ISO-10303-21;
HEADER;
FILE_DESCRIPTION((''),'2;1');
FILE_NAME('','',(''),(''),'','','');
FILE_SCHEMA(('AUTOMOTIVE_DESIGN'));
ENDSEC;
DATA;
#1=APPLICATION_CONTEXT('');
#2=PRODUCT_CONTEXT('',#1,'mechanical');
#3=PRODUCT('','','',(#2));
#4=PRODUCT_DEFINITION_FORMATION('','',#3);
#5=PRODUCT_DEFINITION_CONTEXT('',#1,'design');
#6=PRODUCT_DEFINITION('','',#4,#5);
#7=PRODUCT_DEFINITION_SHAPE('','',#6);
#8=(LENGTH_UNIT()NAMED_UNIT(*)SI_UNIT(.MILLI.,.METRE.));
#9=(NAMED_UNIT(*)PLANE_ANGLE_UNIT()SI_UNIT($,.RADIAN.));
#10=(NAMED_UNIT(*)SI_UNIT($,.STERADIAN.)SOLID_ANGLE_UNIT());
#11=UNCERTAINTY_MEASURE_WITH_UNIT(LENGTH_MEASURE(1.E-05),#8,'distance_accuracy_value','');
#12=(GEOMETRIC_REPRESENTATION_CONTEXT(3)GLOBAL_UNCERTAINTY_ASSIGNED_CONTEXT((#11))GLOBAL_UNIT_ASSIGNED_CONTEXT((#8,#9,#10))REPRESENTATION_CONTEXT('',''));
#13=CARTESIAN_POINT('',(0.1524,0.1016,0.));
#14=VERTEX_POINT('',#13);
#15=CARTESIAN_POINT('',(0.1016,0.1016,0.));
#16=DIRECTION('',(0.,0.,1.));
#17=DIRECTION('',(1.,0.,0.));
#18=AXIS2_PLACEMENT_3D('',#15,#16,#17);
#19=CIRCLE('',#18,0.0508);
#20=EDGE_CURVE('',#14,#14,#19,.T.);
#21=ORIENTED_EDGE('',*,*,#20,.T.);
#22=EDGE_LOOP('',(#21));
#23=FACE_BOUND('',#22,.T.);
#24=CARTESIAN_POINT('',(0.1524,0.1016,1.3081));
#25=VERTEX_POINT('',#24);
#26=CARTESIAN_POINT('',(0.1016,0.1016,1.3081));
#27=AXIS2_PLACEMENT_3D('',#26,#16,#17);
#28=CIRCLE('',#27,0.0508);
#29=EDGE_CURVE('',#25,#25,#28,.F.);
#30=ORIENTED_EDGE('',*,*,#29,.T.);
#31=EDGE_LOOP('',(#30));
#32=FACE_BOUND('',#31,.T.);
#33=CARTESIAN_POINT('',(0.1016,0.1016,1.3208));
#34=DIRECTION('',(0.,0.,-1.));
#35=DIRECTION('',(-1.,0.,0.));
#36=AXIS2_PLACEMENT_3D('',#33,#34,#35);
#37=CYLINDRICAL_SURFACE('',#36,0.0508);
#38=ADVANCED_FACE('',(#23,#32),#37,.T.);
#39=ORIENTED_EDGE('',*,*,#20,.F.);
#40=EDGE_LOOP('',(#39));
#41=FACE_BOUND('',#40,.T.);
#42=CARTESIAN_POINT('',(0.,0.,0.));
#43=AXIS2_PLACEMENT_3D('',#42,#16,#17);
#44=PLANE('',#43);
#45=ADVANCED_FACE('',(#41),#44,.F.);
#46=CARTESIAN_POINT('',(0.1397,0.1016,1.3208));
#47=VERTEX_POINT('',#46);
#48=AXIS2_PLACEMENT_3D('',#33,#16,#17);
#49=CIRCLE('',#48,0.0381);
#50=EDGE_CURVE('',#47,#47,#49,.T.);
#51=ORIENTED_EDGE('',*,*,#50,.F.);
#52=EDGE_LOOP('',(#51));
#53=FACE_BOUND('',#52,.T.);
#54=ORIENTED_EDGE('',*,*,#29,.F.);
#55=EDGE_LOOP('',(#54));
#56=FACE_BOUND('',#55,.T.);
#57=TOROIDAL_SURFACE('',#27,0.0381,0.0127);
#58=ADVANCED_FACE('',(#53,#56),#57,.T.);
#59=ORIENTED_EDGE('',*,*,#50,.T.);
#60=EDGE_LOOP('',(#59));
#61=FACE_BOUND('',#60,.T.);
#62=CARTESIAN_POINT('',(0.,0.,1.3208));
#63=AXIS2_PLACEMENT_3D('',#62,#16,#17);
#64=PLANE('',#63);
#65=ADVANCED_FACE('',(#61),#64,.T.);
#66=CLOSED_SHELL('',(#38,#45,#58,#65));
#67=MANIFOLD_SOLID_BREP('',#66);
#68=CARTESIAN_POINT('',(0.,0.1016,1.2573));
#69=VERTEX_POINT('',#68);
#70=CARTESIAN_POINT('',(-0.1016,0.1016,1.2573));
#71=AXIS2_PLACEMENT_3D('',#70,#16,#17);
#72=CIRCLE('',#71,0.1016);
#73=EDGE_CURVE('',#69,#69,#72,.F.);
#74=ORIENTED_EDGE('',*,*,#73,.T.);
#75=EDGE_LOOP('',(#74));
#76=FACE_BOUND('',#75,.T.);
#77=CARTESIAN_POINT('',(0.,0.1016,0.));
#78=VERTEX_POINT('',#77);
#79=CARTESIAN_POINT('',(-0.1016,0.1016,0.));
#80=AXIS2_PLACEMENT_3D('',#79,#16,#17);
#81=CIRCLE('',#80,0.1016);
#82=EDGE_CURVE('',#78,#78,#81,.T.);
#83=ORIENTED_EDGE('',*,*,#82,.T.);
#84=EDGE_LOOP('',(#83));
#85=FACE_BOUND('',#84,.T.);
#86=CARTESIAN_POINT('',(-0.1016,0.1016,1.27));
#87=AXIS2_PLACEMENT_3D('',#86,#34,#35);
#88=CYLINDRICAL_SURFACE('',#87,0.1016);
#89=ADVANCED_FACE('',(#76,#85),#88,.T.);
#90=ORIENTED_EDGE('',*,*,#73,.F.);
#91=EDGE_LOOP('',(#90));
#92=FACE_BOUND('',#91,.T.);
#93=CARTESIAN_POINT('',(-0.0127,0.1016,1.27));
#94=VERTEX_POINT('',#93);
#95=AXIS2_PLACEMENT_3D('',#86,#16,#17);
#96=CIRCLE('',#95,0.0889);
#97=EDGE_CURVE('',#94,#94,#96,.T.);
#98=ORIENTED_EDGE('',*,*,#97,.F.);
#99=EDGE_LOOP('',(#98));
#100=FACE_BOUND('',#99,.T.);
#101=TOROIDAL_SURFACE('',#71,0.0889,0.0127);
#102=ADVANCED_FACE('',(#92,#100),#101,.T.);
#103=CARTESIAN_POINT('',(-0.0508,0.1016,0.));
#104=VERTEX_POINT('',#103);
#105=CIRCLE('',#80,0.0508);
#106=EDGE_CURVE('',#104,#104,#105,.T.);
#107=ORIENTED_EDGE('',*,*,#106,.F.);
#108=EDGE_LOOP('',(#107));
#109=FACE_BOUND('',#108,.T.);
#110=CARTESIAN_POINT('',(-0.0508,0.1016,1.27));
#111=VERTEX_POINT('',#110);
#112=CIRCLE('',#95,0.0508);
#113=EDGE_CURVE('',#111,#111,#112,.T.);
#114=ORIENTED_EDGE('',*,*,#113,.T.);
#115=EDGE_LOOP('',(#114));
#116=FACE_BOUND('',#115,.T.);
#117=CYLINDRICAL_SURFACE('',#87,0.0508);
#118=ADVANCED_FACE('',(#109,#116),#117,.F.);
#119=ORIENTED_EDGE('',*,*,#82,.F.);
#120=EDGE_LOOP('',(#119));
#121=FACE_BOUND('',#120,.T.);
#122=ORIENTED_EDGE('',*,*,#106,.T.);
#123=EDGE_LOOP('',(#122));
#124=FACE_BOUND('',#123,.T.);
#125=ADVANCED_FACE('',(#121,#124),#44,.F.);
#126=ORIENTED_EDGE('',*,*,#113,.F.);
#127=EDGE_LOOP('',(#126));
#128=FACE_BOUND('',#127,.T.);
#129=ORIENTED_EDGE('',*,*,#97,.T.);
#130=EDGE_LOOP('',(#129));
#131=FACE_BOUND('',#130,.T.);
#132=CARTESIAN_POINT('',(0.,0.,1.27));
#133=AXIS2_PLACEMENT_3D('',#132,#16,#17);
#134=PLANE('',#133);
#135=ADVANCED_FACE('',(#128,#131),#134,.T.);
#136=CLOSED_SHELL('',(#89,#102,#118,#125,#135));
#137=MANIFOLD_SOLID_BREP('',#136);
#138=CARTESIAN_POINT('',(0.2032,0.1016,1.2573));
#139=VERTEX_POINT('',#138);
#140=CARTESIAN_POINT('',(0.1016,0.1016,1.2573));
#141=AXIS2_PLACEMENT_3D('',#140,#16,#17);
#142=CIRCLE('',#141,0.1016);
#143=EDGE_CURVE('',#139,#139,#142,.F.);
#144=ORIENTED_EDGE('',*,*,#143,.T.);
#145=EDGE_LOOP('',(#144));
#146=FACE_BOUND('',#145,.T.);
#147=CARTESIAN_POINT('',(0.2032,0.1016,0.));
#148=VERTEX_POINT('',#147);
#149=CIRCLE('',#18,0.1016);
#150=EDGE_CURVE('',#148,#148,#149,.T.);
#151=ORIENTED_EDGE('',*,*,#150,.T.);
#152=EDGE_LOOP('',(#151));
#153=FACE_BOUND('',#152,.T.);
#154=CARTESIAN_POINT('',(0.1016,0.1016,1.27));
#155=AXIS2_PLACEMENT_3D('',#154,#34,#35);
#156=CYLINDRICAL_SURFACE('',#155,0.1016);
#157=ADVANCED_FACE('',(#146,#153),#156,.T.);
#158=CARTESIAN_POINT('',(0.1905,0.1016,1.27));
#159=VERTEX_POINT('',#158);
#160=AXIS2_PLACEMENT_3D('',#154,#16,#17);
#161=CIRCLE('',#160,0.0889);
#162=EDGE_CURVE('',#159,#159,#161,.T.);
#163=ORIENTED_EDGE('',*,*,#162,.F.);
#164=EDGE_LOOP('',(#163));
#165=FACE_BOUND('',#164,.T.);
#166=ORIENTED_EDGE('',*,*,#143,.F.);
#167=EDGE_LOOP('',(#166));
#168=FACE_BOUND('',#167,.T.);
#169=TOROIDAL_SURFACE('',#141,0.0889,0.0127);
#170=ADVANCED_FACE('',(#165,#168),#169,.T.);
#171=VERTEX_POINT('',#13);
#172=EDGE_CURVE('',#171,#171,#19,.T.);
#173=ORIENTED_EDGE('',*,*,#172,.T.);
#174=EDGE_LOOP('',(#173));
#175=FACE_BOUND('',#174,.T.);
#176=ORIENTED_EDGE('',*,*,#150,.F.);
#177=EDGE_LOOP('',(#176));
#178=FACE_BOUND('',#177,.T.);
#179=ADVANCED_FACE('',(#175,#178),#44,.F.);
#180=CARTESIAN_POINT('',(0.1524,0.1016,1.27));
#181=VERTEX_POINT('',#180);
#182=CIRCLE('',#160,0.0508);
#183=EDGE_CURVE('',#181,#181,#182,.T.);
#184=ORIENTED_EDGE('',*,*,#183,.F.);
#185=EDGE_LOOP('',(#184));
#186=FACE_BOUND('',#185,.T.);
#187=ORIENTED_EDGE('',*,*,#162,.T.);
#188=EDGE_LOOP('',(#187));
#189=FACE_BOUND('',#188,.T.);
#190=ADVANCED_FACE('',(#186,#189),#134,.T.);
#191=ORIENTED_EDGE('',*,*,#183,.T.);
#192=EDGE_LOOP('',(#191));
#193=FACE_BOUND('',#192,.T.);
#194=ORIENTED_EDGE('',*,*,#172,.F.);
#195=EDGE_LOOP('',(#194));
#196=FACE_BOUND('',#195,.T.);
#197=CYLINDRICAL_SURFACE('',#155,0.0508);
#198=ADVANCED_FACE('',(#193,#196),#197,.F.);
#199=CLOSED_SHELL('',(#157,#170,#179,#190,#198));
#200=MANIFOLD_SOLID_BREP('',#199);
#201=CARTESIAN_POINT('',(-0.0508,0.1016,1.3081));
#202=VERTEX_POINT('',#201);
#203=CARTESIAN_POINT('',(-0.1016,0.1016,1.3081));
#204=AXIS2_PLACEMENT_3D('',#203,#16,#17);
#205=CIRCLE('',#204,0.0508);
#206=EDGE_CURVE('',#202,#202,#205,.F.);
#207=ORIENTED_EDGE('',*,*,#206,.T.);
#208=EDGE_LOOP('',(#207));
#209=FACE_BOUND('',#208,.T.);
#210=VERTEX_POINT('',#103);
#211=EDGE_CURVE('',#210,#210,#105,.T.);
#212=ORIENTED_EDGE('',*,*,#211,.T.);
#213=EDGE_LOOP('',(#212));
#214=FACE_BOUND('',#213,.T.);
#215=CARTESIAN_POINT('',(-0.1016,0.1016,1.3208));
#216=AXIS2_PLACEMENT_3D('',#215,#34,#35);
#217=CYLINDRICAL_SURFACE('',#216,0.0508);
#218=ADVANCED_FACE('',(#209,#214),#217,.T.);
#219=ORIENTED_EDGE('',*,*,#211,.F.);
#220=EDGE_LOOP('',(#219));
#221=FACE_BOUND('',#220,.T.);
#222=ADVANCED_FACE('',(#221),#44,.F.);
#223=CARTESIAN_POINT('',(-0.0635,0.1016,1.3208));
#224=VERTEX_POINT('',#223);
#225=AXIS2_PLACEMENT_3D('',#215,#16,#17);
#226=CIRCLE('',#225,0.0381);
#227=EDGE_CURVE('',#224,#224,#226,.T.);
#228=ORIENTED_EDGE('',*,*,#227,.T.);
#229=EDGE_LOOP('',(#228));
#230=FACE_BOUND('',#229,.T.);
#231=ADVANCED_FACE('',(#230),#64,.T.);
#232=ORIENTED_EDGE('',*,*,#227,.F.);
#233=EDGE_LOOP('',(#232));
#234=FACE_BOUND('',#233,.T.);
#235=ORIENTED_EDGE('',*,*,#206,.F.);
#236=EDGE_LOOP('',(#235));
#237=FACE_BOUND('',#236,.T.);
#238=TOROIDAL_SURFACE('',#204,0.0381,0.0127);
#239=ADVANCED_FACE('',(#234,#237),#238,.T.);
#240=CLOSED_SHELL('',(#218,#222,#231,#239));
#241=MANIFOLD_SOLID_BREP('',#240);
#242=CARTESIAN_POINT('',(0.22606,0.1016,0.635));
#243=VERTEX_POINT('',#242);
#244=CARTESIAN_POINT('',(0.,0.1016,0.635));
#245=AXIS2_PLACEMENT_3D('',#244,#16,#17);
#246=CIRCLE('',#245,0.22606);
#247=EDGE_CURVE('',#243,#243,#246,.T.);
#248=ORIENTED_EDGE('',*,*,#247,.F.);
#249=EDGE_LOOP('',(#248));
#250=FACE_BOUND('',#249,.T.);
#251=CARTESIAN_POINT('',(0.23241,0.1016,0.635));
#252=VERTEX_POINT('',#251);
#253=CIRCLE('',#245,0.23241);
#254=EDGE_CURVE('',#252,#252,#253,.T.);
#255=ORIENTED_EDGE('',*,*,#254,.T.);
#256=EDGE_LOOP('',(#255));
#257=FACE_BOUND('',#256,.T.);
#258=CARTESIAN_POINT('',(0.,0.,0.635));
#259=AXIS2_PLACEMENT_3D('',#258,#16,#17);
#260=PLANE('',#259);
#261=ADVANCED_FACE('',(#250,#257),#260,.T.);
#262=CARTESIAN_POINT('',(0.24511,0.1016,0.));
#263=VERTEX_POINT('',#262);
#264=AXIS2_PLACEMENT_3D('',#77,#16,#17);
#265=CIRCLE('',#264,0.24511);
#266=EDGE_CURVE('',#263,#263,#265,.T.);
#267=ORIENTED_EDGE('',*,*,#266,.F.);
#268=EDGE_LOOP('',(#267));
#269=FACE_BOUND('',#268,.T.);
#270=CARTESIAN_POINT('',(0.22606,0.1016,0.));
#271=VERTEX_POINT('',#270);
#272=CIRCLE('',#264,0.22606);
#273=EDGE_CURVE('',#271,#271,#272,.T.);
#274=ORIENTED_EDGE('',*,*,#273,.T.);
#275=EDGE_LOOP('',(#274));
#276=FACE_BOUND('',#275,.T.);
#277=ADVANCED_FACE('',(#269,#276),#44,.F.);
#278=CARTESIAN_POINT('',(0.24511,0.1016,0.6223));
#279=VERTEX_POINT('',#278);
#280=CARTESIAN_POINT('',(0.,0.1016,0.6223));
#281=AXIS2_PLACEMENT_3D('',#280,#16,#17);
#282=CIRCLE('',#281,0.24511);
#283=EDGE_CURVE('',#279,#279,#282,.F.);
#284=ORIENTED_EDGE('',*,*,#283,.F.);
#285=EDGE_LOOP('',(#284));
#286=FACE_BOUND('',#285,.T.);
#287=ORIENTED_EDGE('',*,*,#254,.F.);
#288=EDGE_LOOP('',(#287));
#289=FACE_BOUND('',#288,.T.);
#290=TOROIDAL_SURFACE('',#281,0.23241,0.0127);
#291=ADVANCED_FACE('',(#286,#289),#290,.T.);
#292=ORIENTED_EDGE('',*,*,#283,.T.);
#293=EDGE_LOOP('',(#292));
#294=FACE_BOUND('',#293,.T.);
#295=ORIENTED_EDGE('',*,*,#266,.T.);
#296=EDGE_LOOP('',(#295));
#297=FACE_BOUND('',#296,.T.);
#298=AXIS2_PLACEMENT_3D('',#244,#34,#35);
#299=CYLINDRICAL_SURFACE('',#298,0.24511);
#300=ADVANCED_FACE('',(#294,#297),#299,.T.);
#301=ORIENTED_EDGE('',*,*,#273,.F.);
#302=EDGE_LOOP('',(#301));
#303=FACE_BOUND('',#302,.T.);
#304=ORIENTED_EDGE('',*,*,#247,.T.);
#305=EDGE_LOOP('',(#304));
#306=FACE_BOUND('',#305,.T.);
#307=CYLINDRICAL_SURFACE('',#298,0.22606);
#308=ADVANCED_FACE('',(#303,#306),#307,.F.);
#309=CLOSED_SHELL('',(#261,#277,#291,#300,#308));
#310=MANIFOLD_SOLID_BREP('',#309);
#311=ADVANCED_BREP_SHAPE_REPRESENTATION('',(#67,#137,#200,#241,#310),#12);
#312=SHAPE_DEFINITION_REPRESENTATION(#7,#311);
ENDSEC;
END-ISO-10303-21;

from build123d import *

# Parameters (mm, degrees)
SKETCH1_9_R           = 0.1016
SKETCH1_9_R_2         = 0.0508
BOSS_EXTRUDE3_DEPTH   = 1.27
BOSS_EXTRUDE3_2_DEPTH = 1.27
SKETCH1_R             = 0.24511
SKETCH1_R_2           = 0.22606
BOSS_EXTRUDE4_DEPTH   = 0.635
SKETCH1_12_R          = 0.0508
BOSS_EXTRUDE5_DEPTH   = 1.3208
FILLET3_R             = 0.0127
SKETCH1_14_R          = 0.0508
BOSS_EXTRUDE7_DEPTH   = 1.3208
FILLET4_R             = 0.0127
FILLET5_R             = 0.0127
FILLET6_R             = 0.0127
FILLET11_R            = 0.0127


with BuildPart() as part:
    # Sketch1<9> → Boss-Extrude3 (new body)
    with BuildSketch(Plane.XY):
        with Locations((-0.1016, 0.1016)):
            Circle(SKETCH1_9_R)
        with Locations((-0.1016, 0.1016)):
            Circle(SKETCH1_9_R_2, mode=Mode.SUBTRACT)
    extrude(amount=BOSS_EXTRUDE3_DEPTH)

    # Fillet6
    fillet6_edges = [part.edges().sort_by_distance(p)[0] for p in [
        (-0.2032, 0.1016, 1.27),
    ]]
    fillet(fillet6_edges, radius=FILLET6_R)


with BuildPart() as body_2:
    # Sketch1<9> → Boss-Extrude3 2 (new body)
    with BuildSketch(Plane.XY):
        with Locations((0.1016, 0.1016)):
            Circle(SKETCH1_9_R)
        with Locations((0.1016, 0.1016)):
            Circle(SKETCH1_9_R_2, mode=Mode.SUBTRACT)
    extrude(amount=BOSS_EXTRUDE3_2_DEPTH)

    # Fillet5
    fillet5_edges = [body_2.edges().sort_by_distance(p)[0] for p in [
        (0, 0.1016, 1.27),
    ]]
    fillet(fillet5_edges, radius=FILLET5_R)


with BuildPart() as body_3:
    # Sketch1 → Boss-Extrude4 (new body)
    with BuildSketch(Plane.XY):
        with Locations((0, 0.1016)):
            Circle(SKETCH1_R)
        with Locations((0, 0.1016)):
            Circle(SKETCH1_R_2, mode=Mode.SUBTRACT)
    extrude(amount=BOSS_EXTRUDE4_DEPTH)

    # Fillet11
    fillet11_edges = [body_3.edges().sort_by_distance(p)[0] for p in [
        (-0.24511, 0.1016, 0.635),
    ]]
    fillet(fillet11_edges, radius=FILLET11_R)


with BuildPart() as body_4:
    # Sketch1<12> → Boss-Extrude5 (new body)
    with BuildSketch(Plane.XY):
        with Locations((-0.1016, 0.1016)):
            Circle(SKETCH1_12_R)
    extrude(amount=BOSS_EXTRUDE5_DEPTH)

    # Fillet3
    fillet3_edges = [body_4.edges().sort_by_distance(p)[0] for p in [
        (-0.1524, 0.1016, 1.3208),
    ]]
    fillet(fillet3_edges, radius=FILLET3_R)


with BuildPart() as body_5:
    # Sketch1<14> → Boss-Extrude7 (new body)
    with BuildSketch(Plane.XY):
        with Locations((0.1016, 0.1016)):
            Circle(SKETCH1_14_R)
    extrude(amount=BOSS_EXTRUDE7_DEPTH)

    # Fillet4
    fillet4_edges = [body_5.edges().sort_by_distance(p)[0] for p in [
        (0.0508, 0.1016, 1.3208),
    ]]
    fillet(fillet4_edges, radius=FILLET4_R)


solid = Compound([part.part, body_2.part, body_3.part, body_4.part, body_5.part])
